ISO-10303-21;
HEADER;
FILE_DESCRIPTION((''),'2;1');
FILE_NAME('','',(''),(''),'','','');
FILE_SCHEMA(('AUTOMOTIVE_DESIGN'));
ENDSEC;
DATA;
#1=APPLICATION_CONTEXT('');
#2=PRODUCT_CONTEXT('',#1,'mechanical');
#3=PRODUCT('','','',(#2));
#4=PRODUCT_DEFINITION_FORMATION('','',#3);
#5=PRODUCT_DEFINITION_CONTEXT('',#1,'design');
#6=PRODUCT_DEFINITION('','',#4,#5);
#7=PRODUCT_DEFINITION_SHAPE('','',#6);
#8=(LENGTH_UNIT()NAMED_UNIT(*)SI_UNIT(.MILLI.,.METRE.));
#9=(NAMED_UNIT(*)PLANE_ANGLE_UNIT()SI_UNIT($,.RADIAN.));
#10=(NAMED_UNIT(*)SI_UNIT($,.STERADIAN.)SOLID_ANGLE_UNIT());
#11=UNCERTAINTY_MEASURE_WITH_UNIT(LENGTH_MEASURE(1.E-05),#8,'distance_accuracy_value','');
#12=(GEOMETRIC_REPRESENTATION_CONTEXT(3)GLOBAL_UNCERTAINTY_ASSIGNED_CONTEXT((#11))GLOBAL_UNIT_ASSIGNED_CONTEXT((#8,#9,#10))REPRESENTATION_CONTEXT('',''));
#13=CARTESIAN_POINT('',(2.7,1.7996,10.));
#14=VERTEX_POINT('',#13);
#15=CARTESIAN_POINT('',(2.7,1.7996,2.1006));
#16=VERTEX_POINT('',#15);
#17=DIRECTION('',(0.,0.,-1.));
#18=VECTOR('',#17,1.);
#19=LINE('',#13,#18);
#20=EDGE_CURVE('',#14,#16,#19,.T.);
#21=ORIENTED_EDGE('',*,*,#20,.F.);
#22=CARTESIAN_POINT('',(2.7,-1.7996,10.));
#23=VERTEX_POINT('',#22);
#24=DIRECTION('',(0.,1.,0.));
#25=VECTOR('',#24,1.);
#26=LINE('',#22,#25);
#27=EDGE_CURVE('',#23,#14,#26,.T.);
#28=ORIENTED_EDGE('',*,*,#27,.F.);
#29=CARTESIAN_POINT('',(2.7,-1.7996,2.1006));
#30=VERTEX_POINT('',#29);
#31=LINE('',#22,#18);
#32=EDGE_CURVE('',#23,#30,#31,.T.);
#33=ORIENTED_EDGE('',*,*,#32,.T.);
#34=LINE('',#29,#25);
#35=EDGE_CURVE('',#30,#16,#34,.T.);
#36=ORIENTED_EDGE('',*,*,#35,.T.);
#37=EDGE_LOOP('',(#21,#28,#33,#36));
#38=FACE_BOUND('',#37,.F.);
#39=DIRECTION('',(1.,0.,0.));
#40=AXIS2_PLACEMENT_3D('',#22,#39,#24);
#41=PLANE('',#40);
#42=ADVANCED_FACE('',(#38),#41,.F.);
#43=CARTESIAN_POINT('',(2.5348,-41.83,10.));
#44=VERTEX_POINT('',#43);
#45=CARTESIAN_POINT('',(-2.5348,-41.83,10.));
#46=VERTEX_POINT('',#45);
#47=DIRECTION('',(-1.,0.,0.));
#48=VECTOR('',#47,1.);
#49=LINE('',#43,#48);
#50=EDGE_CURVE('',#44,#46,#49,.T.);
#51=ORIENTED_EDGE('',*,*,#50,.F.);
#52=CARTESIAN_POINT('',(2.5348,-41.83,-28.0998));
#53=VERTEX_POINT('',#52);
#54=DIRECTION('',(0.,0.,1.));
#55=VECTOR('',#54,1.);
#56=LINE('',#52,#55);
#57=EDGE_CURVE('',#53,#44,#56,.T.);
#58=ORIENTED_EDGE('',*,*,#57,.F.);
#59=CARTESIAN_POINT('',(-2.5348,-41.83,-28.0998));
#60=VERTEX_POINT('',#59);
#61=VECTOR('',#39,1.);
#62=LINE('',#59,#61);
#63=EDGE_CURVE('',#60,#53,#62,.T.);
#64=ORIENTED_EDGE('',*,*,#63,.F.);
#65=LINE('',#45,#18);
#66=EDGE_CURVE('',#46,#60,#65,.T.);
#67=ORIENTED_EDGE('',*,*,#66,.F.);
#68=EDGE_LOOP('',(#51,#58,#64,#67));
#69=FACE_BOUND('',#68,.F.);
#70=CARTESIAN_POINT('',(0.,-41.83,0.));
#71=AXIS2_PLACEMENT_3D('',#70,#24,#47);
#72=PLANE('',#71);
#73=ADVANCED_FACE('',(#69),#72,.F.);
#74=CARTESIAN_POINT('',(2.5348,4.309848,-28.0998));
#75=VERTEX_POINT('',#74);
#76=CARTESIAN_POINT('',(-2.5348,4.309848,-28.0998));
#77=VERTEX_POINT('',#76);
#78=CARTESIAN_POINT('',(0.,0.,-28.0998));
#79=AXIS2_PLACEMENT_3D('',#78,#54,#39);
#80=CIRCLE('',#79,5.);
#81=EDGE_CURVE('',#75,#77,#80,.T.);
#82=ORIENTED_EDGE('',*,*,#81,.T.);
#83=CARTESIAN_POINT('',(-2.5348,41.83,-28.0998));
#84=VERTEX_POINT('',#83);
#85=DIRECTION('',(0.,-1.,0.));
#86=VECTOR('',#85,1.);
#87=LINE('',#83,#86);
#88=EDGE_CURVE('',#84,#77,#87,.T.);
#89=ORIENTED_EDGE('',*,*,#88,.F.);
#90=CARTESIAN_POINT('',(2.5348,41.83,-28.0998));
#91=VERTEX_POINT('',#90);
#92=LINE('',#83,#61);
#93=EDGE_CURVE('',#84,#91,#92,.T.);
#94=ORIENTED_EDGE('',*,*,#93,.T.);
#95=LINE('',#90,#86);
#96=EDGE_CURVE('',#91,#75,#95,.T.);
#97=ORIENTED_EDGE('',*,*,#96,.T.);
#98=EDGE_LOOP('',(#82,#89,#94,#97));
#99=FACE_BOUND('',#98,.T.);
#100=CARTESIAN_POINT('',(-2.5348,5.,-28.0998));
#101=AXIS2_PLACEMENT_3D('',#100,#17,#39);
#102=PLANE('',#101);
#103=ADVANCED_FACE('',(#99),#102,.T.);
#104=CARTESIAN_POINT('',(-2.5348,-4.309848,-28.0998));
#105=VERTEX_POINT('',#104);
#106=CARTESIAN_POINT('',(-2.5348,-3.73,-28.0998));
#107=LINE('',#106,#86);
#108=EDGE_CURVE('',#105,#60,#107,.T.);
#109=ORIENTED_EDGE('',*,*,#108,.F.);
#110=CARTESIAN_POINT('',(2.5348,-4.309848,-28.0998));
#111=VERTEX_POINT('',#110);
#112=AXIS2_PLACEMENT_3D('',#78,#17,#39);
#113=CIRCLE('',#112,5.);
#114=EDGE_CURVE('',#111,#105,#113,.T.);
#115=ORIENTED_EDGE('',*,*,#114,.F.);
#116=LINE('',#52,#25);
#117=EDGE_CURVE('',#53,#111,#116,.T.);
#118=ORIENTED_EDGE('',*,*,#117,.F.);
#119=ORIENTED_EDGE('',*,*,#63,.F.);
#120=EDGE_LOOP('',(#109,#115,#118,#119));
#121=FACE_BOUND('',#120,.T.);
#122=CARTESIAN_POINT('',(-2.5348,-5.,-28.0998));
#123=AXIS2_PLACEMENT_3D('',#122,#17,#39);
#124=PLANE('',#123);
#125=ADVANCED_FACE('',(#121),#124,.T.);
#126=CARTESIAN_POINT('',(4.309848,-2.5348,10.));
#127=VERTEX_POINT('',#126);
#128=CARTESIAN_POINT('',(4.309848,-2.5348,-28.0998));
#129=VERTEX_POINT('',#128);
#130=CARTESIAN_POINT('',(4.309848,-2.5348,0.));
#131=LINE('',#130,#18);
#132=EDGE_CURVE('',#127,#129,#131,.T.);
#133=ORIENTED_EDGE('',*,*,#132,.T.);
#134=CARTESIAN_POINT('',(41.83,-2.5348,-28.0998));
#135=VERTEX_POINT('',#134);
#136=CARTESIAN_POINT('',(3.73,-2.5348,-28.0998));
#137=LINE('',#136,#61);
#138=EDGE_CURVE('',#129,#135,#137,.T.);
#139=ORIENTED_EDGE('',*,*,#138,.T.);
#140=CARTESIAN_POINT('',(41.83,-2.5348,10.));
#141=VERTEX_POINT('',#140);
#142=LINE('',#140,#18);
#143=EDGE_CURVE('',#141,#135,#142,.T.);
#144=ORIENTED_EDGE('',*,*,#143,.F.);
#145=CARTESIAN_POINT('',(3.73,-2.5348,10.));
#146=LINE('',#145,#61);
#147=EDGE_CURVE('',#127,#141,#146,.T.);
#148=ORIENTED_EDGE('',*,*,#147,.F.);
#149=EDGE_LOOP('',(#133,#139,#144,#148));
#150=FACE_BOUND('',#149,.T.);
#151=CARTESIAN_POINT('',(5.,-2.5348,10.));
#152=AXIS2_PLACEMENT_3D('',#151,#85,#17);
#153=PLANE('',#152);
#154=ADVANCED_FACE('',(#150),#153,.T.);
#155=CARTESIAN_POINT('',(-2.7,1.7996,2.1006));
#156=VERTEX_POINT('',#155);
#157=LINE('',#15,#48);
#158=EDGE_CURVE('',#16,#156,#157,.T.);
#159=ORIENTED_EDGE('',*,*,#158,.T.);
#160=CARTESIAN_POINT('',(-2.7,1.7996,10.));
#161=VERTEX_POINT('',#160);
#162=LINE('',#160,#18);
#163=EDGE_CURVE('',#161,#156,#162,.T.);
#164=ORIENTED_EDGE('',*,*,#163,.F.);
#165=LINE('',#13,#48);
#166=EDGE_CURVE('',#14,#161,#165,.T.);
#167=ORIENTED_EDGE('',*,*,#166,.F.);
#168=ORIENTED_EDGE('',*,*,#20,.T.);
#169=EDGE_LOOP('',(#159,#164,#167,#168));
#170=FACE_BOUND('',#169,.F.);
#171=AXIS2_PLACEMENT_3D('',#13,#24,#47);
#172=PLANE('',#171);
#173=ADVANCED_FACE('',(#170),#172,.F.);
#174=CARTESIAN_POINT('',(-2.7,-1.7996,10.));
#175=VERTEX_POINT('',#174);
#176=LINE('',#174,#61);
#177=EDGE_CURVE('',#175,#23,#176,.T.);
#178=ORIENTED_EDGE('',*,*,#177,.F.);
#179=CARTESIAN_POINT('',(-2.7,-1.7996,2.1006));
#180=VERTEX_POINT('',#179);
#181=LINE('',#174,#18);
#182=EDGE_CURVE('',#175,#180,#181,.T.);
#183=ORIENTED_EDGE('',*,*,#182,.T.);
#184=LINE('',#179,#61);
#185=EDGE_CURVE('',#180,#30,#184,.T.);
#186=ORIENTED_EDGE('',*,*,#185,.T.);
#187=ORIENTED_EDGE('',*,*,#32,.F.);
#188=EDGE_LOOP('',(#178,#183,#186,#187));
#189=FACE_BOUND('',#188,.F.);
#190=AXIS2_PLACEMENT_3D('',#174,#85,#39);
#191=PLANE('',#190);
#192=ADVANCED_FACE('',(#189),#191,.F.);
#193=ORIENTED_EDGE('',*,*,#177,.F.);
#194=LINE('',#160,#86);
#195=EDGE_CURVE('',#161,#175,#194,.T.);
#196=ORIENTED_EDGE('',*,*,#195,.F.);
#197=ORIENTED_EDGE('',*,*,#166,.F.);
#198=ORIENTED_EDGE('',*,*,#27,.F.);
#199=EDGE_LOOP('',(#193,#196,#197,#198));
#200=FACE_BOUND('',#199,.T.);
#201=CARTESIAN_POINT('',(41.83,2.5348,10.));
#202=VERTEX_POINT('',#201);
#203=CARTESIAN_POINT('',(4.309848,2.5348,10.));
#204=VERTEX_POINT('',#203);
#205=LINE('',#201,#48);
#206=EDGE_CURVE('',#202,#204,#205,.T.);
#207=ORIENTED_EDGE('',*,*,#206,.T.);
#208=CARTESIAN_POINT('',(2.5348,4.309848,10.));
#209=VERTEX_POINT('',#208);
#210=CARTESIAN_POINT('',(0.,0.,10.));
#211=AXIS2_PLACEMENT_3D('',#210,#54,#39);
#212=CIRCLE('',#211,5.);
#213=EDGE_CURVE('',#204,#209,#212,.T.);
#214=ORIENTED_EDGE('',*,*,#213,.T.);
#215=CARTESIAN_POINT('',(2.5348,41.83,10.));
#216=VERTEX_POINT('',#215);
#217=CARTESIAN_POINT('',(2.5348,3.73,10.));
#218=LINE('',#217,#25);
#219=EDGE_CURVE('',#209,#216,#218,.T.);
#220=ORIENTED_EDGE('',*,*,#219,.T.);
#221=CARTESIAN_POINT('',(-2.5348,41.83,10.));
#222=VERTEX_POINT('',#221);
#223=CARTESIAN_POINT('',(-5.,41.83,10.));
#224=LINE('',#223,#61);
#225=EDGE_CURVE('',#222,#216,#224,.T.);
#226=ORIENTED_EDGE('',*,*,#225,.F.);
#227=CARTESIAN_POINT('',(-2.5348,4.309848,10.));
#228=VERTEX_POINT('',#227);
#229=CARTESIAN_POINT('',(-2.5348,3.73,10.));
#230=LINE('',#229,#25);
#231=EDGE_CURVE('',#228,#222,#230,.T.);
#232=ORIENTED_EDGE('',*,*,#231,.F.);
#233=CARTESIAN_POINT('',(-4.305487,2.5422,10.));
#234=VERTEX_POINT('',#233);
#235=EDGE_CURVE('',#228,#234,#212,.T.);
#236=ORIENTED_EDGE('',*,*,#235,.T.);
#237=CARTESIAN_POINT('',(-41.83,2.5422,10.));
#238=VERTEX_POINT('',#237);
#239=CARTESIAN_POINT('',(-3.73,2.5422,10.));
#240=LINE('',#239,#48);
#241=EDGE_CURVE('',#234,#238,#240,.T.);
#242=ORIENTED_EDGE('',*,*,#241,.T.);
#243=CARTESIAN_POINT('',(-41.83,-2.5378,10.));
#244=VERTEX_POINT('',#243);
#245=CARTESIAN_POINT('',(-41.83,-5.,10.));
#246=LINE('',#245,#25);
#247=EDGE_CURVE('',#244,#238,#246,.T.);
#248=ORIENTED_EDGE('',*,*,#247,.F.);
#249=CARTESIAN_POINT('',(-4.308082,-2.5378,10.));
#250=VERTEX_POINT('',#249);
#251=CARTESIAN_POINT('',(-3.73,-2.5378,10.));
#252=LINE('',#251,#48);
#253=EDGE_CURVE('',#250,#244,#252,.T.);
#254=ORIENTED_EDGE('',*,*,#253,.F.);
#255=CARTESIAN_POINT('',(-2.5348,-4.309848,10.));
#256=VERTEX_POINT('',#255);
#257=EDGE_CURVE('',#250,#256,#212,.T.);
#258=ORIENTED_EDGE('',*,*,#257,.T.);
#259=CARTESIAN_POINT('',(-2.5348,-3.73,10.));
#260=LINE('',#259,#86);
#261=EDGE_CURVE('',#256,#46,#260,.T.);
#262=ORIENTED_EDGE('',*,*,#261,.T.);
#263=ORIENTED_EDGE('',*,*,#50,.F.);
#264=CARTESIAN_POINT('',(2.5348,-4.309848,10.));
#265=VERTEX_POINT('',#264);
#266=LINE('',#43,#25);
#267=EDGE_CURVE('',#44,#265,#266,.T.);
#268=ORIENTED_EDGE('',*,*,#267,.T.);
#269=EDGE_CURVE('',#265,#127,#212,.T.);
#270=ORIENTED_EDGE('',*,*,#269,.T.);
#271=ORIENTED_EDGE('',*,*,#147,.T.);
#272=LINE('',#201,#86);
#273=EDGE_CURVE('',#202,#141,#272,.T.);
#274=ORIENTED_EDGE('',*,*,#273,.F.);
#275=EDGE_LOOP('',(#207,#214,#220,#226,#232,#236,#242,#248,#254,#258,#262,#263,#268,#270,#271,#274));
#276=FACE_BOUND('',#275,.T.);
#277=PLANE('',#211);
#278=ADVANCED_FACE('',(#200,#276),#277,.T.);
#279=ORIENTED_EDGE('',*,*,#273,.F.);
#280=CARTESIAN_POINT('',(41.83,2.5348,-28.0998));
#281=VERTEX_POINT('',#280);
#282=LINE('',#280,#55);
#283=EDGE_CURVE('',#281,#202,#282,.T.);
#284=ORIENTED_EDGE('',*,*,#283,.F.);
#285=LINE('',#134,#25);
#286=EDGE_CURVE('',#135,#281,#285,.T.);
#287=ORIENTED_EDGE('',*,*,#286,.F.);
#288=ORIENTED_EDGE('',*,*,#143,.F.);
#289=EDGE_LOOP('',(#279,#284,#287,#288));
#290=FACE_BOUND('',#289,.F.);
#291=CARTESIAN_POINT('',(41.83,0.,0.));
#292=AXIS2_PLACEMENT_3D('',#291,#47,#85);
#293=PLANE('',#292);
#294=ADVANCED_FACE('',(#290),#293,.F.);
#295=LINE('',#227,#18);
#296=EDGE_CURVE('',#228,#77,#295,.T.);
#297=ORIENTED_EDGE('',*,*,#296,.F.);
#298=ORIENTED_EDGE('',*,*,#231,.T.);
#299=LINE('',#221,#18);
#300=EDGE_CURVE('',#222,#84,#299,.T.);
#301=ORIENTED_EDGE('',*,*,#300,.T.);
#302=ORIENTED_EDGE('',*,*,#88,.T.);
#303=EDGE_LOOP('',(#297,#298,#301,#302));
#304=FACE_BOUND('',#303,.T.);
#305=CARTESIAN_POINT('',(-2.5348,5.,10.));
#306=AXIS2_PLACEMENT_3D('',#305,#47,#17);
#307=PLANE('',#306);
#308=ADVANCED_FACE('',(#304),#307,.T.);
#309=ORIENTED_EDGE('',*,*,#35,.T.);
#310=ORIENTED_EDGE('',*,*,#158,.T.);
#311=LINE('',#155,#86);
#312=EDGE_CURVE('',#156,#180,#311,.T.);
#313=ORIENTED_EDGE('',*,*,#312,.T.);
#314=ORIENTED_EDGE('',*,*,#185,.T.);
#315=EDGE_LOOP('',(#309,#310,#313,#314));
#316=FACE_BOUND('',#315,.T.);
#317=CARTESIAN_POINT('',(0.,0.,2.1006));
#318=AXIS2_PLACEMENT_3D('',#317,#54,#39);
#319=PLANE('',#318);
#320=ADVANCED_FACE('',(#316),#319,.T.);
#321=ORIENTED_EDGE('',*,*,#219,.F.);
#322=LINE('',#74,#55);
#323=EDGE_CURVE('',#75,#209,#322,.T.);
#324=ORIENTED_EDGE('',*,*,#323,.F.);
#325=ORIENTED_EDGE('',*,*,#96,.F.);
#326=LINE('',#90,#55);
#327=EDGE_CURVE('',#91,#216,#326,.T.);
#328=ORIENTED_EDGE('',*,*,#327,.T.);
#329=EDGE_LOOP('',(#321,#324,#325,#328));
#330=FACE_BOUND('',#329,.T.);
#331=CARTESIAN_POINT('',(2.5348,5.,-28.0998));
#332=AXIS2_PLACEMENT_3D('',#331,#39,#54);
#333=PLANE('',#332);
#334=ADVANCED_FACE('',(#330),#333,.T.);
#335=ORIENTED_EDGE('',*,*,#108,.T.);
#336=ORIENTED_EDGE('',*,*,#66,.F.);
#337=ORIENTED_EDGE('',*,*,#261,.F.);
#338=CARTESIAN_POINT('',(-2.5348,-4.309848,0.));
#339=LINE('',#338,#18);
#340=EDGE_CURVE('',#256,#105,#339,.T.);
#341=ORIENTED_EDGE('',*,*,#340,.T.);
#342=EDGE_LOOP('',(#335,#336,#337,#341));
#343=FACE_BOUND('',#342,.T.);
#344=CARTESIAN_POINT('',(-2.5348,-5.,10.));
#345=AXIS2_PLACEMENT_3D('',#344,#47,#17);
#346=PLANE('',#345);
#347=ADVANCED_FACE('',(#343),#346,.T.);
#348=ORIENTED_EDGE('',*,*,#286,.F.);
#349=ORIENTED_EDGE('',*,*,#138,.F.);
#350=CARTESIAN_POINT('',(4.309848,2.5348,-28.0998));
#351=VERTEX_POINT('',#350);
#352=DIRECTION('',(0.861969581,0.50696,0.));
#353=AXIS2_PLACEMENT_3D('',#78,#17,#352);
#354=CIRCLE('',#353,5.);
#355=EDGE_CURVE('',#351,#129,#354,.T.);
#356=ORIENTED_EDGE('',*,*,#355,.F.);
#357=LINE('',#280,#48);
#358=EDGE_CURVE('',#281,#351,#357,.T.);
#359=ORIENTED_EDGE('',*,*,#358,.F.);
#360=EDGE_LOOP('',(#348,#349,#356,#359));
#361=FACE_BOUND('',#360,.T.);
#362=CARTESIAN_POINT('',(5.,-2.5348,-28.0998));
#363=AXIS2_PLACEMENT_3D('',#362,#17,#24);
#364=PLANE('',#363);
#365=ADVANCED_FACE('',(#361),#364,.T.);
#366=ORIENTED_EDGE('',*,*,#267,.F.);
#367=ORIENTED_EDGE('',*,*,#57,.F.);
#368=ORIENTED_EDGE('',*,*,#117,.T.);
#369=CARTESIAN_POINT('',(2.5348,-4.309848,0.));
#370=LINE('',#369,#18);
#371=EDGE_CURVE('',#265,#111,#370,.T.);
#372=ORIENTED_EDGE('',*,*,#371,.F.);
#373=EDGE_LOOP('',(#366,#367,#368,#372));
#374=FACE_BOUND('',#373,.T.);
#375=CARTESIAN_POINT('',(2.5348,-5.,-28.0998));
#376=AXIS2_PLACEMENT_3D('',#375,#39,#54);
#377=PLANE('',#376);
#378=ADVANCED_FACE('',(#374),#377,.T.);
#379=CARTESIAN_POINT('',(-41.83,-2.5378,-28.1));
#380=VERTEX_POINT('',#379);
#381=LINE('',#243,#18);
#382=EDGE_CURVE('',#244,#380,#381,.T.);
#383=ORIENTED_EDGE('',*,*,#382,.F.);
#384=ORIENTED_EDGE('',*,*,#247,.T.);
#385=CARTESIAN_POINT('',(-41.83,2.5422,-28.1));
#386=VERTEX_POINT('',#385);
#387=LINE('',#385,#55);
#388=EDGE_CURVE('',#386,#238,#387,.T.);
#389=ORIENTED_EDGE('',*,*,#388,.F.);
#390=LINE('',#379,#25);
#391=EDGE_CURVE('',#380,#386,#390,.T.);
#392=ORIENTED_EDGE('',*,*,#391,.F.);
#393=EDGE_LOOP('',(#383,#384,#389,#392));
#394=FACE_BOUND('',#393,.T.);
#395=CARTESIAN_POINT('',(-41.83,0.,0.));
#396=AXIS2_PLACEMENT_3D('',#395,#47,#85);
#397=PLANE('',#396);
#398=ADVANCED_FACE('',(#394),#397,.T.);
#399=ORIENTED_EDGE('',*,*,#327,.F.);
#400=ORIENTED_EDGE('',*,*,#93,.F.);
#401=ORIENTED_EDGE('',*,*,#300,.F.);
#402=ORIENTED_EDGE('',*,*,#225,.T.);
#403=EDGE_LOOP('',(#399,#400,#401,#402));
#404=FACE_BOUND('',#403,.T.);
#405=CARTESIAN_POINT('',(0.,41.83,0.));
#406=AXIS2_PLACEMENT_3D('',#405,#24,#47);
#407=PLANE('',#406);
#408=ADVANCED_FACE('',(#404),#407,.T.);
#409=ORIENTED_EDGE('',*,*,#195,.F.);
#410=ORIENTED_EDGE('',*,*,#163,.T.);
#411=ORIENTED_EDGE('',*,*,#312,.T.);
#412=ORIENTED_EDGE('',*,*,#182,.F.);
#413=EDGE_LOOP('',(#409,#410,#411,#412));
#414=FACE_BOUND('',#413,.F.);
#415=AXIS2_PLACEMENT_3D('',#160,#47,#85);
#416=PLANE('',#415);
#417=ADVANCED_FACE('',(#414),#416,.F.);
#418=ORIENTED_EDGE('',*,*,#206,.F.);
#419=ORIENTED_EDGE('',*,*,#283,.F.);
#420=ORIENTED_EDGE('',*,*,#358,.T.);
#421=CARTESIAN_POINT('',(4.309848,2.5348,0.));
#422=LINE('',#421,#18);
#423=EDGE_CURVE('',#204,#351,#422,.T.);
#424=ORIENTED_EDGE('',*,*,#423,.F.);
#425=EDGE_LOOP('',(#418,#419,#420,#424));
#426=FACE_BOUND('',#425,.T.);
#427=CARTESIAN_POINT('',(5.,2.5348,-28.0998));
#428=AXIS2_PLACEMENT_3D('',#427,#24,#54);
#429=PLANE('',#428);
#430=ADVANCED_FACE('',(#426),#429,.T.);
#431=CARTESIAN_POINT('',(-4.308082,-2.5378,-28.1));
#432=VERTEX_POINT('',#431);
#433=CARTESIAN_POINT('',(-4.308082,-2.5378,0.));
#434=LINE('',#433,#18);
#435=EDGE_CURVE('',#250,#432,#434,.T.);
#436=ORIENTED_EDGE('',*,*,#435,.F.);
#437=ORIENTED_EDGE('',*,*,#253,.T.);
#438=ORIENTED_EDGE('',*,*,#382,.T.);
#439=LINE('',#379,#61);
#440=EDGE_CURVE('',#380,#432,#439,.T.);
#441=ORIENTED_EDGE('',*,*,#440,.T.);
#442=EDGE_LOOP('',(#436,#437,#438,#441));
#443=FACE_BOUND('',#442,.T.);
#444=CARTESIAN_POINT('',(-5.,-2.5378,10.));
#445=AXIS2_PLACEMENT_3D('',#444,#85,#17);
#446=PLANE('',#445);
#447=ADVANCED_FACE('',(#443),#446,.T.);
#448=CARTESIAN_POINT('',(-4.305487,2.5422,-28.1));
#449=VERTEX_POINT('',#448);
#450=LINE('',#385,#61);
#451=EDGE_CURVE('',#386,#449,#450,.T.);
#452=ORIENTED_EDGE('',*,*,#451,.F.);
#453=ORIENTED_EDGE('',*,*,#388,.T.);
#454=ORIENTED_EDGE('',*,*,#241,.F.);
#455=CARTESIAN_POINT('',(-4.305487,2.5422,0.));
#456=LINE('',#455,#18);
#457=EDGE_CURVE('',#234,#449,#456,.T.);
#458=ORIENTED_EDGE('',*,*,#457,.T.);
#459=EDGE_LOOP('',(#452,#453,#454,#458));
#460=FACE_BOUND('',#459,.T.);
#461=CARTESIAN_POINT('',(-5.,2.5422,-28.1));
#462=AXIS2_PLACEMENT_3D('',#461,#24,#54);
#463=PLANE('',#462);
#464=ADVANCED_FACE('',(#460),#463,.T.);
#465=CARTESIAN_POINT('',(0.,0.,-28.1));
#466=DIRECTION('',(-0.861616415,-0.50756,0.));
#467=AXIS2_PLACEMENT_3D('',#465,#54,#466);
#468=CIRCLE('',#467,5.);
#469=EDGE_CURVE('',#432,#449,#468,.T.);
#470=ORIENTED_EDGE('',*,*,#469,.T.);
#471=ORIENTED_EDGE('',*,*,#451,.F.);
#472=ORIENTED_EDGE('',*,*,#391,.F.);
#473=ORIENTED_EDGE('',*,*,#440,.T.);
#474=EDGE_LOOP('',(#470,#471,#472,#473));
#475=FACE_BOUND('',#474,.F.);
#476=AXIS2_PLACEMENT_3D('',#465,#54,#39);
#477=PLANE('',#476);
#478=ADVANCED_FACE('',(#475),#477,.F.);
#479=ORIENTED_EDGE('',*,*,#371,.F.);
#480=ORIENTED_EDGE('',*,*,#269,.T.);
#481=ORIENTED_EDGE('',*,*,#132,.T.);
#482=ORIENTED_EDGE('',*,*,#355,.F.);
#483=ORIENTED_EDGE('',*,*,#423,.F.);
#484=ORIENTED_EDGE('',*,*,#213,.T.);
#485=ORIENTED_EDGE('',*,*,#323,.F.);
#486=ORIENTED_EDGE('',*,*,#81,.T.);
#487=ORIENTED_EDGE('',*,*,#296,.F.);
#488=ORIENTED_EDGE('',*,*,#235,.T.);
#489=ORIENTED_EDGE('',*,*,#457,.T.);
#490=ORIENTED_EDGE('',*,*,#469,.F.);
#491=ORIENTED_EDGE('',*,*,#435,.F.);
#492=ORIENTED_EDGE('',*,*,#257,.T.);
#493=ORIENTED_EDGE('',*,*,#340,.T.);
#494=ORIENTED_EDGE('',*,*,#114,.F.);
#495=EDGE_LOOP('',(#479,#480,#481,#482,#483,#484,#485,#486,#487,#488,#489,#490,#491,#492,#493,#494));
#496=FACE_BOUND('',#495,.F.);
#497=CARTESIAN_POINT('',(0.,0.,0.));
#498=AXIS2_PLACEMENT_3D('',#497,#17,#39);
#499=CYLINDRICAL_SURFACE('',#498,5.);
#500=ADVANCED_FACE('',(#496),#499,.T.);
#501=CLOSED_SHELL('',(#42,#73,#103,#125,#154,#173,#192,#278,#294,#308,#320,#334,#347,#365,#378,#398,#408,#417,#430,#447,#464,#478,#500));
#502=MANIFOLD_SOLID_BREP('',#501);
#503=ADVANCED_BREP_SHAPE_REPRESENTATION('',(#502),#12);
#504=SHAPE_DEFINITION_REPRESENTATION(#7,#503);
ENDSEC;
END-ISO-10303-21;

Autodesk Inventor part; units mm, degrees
sketch "Sketch1" plane through (0, 0, 0) normal (0, 0, 1) x (1, 0, 0)
  circle A0 centre (0, 0) radius 5
  dimension "d0" = 10
extrude "Extrusion1" add sketch "Sketch1" along normal blind 10 and the other way blind 28.1
sketch "Sketch2" plane through (0, 0, 10) normal (0, 0, 1) x (1, 0, 0)
  line L0 (-2.7, -1.7996) -> (2.7, -1.7996)
  line L1 (2.7, -1.7996) -> (2.7, 1.7996)
  line L2 (2.7, 1.7996) -> (-2.7, 1.7996)
  line L3 (-2.7, 1.7996) -> (-2.7, -1.7996)
  line L4 (-2.7, -1.7996) -> (2.7, 1.7996) construction
  line L5 (2.7, -1.7996) -> (-2.7, 1.7996) construction
  point P0 (0, 0)
  dimension "d3" = 5.4
  dimension "d4" = 3.5992
extrude "Extrusion2" cut sketch "Sketch2" against normal blind 7.8994
ref_plane "Work Plane1" through (0, 0, 0) normal (0, 1, 0) x (0, 0, 1)
ref_plane "Work Plane2" through (0, 0, 0) normal (-1, 0, 0) x (0, 0, 1)
sketch "Sketch3" plane through (0, 0, 0) normal (0, 1, 0) x (0, 0, 1)
  point P0 (0, 0)
ref_plane "Work Plane3" through (0, 5, 0) normal (0, 1, 0) x (-1, 0, 0)
ref_plane "Work Plane4" through (0, -5, 0) normal (0, 1, 0) x (-1, 0, 0)
ref_plane "Work Plane5" through (-5, 0, 0) normal (-1, 0, 0) x (0, -1, 0)
ref_plane "Work Plane6" through (5, 0, 0) normal (-1, 0, 0) x (0, -1, 0)
sketch "Sketch4" plane through (0, 5, 0) normal (0, 1, 0) x (-1, 0, 0)
  point P0 (0, 0)
sketch "Sketch5" plane through (0, 5, 0) normal (0, 1, 0) x (-1, 0, 0)
  line L0 (5, 10) -> (-5, 10) projected
  line L1 (-2.5348, 10) -> (2.5348, 10)
  line L2 (2.5348, 10) -> (2.5348, -28.0998)
  line L3 (2.5348, -28.0998) -> (-2.5348, -28.0998)
  line L4 (-2.5348, -28.0998) -> (-2.5348, 10)
  point P0 (0, 0)
sketch "Sketch6" plane through (5, 0, 0) normal (-1, 0, 0) x (0, -1, 0)
  line L0 (-2.5348, 10) -> (2.5348, 10)
  line L1 (2.5348, 10) -> (2.5348, -28.0998)
  line L2 (2.5348, -28.0998) -> (-2.5348, -28.0998)
  line L3 (-2.5348, -28.0998) -> (-2.5348, 10)
  point P0 (0, 0)
sketch "Sketch7" plane through (0, -5, 0) normal (0, 1, 0) x (-1, 0, 0)
  point P0 (0, 0)
sketch "Sketch8" plane through (0, -5, 0) normal (0, 1, 0) x (-1, 0, 0)
  line L0 (-2.5348, 10) -> (2.5348, 10)
  line L1 (2.5348, 10) -> (2.5348, -28.0998)
  line L2 (2.5348, -28.0998) -> (-2.5348, -28.0998)
  line L3 (-2.5348, -28.0998) -> (-2.5348, 10)
  point P0 (0, 0)
sketch "Sketch9" plane through (0, -5, 0) normal (0, 1, 0) x (-1, 0, 0)
  point P0 (0, 0)
sketch "Sketch10" plane through (-5, 0, 0) normal (-1, 0, 0) x (0, -1, 0)
  line L0 (5, 10) -> (-5, 10) projected
  line L1 (-2.5422, 10) -> (2.5378, 10)
  line L2 (2.5378, 10) -> (2.5378, -28.1)
  line L3 (2.5378, -28.1) -> (-2.5422, -28.1)
  line L4 (-2.5422, -28.1) -> (-2.5422, 10)
  point P0 (0, 0)
  dimension "d9" = 5.08
  dimension "d10" = 38.1
extrude "Extrusion3" add sketch "Sketch5" along normal blind 36.83 and the other way blind 1.27
extrude "Extrusion4" add sketch "Sketch6" along normal blind 1.27 and the other way blind 36.83
extrude "Extrusion5" add sketch "Sketch10" along normal blind 36.83 and the other way blind 1.27
extrude "Extrusion6" add sketch "Sketch8" along normal blind 1.27 and the other way blind 36.83
properties part number "windmill"
